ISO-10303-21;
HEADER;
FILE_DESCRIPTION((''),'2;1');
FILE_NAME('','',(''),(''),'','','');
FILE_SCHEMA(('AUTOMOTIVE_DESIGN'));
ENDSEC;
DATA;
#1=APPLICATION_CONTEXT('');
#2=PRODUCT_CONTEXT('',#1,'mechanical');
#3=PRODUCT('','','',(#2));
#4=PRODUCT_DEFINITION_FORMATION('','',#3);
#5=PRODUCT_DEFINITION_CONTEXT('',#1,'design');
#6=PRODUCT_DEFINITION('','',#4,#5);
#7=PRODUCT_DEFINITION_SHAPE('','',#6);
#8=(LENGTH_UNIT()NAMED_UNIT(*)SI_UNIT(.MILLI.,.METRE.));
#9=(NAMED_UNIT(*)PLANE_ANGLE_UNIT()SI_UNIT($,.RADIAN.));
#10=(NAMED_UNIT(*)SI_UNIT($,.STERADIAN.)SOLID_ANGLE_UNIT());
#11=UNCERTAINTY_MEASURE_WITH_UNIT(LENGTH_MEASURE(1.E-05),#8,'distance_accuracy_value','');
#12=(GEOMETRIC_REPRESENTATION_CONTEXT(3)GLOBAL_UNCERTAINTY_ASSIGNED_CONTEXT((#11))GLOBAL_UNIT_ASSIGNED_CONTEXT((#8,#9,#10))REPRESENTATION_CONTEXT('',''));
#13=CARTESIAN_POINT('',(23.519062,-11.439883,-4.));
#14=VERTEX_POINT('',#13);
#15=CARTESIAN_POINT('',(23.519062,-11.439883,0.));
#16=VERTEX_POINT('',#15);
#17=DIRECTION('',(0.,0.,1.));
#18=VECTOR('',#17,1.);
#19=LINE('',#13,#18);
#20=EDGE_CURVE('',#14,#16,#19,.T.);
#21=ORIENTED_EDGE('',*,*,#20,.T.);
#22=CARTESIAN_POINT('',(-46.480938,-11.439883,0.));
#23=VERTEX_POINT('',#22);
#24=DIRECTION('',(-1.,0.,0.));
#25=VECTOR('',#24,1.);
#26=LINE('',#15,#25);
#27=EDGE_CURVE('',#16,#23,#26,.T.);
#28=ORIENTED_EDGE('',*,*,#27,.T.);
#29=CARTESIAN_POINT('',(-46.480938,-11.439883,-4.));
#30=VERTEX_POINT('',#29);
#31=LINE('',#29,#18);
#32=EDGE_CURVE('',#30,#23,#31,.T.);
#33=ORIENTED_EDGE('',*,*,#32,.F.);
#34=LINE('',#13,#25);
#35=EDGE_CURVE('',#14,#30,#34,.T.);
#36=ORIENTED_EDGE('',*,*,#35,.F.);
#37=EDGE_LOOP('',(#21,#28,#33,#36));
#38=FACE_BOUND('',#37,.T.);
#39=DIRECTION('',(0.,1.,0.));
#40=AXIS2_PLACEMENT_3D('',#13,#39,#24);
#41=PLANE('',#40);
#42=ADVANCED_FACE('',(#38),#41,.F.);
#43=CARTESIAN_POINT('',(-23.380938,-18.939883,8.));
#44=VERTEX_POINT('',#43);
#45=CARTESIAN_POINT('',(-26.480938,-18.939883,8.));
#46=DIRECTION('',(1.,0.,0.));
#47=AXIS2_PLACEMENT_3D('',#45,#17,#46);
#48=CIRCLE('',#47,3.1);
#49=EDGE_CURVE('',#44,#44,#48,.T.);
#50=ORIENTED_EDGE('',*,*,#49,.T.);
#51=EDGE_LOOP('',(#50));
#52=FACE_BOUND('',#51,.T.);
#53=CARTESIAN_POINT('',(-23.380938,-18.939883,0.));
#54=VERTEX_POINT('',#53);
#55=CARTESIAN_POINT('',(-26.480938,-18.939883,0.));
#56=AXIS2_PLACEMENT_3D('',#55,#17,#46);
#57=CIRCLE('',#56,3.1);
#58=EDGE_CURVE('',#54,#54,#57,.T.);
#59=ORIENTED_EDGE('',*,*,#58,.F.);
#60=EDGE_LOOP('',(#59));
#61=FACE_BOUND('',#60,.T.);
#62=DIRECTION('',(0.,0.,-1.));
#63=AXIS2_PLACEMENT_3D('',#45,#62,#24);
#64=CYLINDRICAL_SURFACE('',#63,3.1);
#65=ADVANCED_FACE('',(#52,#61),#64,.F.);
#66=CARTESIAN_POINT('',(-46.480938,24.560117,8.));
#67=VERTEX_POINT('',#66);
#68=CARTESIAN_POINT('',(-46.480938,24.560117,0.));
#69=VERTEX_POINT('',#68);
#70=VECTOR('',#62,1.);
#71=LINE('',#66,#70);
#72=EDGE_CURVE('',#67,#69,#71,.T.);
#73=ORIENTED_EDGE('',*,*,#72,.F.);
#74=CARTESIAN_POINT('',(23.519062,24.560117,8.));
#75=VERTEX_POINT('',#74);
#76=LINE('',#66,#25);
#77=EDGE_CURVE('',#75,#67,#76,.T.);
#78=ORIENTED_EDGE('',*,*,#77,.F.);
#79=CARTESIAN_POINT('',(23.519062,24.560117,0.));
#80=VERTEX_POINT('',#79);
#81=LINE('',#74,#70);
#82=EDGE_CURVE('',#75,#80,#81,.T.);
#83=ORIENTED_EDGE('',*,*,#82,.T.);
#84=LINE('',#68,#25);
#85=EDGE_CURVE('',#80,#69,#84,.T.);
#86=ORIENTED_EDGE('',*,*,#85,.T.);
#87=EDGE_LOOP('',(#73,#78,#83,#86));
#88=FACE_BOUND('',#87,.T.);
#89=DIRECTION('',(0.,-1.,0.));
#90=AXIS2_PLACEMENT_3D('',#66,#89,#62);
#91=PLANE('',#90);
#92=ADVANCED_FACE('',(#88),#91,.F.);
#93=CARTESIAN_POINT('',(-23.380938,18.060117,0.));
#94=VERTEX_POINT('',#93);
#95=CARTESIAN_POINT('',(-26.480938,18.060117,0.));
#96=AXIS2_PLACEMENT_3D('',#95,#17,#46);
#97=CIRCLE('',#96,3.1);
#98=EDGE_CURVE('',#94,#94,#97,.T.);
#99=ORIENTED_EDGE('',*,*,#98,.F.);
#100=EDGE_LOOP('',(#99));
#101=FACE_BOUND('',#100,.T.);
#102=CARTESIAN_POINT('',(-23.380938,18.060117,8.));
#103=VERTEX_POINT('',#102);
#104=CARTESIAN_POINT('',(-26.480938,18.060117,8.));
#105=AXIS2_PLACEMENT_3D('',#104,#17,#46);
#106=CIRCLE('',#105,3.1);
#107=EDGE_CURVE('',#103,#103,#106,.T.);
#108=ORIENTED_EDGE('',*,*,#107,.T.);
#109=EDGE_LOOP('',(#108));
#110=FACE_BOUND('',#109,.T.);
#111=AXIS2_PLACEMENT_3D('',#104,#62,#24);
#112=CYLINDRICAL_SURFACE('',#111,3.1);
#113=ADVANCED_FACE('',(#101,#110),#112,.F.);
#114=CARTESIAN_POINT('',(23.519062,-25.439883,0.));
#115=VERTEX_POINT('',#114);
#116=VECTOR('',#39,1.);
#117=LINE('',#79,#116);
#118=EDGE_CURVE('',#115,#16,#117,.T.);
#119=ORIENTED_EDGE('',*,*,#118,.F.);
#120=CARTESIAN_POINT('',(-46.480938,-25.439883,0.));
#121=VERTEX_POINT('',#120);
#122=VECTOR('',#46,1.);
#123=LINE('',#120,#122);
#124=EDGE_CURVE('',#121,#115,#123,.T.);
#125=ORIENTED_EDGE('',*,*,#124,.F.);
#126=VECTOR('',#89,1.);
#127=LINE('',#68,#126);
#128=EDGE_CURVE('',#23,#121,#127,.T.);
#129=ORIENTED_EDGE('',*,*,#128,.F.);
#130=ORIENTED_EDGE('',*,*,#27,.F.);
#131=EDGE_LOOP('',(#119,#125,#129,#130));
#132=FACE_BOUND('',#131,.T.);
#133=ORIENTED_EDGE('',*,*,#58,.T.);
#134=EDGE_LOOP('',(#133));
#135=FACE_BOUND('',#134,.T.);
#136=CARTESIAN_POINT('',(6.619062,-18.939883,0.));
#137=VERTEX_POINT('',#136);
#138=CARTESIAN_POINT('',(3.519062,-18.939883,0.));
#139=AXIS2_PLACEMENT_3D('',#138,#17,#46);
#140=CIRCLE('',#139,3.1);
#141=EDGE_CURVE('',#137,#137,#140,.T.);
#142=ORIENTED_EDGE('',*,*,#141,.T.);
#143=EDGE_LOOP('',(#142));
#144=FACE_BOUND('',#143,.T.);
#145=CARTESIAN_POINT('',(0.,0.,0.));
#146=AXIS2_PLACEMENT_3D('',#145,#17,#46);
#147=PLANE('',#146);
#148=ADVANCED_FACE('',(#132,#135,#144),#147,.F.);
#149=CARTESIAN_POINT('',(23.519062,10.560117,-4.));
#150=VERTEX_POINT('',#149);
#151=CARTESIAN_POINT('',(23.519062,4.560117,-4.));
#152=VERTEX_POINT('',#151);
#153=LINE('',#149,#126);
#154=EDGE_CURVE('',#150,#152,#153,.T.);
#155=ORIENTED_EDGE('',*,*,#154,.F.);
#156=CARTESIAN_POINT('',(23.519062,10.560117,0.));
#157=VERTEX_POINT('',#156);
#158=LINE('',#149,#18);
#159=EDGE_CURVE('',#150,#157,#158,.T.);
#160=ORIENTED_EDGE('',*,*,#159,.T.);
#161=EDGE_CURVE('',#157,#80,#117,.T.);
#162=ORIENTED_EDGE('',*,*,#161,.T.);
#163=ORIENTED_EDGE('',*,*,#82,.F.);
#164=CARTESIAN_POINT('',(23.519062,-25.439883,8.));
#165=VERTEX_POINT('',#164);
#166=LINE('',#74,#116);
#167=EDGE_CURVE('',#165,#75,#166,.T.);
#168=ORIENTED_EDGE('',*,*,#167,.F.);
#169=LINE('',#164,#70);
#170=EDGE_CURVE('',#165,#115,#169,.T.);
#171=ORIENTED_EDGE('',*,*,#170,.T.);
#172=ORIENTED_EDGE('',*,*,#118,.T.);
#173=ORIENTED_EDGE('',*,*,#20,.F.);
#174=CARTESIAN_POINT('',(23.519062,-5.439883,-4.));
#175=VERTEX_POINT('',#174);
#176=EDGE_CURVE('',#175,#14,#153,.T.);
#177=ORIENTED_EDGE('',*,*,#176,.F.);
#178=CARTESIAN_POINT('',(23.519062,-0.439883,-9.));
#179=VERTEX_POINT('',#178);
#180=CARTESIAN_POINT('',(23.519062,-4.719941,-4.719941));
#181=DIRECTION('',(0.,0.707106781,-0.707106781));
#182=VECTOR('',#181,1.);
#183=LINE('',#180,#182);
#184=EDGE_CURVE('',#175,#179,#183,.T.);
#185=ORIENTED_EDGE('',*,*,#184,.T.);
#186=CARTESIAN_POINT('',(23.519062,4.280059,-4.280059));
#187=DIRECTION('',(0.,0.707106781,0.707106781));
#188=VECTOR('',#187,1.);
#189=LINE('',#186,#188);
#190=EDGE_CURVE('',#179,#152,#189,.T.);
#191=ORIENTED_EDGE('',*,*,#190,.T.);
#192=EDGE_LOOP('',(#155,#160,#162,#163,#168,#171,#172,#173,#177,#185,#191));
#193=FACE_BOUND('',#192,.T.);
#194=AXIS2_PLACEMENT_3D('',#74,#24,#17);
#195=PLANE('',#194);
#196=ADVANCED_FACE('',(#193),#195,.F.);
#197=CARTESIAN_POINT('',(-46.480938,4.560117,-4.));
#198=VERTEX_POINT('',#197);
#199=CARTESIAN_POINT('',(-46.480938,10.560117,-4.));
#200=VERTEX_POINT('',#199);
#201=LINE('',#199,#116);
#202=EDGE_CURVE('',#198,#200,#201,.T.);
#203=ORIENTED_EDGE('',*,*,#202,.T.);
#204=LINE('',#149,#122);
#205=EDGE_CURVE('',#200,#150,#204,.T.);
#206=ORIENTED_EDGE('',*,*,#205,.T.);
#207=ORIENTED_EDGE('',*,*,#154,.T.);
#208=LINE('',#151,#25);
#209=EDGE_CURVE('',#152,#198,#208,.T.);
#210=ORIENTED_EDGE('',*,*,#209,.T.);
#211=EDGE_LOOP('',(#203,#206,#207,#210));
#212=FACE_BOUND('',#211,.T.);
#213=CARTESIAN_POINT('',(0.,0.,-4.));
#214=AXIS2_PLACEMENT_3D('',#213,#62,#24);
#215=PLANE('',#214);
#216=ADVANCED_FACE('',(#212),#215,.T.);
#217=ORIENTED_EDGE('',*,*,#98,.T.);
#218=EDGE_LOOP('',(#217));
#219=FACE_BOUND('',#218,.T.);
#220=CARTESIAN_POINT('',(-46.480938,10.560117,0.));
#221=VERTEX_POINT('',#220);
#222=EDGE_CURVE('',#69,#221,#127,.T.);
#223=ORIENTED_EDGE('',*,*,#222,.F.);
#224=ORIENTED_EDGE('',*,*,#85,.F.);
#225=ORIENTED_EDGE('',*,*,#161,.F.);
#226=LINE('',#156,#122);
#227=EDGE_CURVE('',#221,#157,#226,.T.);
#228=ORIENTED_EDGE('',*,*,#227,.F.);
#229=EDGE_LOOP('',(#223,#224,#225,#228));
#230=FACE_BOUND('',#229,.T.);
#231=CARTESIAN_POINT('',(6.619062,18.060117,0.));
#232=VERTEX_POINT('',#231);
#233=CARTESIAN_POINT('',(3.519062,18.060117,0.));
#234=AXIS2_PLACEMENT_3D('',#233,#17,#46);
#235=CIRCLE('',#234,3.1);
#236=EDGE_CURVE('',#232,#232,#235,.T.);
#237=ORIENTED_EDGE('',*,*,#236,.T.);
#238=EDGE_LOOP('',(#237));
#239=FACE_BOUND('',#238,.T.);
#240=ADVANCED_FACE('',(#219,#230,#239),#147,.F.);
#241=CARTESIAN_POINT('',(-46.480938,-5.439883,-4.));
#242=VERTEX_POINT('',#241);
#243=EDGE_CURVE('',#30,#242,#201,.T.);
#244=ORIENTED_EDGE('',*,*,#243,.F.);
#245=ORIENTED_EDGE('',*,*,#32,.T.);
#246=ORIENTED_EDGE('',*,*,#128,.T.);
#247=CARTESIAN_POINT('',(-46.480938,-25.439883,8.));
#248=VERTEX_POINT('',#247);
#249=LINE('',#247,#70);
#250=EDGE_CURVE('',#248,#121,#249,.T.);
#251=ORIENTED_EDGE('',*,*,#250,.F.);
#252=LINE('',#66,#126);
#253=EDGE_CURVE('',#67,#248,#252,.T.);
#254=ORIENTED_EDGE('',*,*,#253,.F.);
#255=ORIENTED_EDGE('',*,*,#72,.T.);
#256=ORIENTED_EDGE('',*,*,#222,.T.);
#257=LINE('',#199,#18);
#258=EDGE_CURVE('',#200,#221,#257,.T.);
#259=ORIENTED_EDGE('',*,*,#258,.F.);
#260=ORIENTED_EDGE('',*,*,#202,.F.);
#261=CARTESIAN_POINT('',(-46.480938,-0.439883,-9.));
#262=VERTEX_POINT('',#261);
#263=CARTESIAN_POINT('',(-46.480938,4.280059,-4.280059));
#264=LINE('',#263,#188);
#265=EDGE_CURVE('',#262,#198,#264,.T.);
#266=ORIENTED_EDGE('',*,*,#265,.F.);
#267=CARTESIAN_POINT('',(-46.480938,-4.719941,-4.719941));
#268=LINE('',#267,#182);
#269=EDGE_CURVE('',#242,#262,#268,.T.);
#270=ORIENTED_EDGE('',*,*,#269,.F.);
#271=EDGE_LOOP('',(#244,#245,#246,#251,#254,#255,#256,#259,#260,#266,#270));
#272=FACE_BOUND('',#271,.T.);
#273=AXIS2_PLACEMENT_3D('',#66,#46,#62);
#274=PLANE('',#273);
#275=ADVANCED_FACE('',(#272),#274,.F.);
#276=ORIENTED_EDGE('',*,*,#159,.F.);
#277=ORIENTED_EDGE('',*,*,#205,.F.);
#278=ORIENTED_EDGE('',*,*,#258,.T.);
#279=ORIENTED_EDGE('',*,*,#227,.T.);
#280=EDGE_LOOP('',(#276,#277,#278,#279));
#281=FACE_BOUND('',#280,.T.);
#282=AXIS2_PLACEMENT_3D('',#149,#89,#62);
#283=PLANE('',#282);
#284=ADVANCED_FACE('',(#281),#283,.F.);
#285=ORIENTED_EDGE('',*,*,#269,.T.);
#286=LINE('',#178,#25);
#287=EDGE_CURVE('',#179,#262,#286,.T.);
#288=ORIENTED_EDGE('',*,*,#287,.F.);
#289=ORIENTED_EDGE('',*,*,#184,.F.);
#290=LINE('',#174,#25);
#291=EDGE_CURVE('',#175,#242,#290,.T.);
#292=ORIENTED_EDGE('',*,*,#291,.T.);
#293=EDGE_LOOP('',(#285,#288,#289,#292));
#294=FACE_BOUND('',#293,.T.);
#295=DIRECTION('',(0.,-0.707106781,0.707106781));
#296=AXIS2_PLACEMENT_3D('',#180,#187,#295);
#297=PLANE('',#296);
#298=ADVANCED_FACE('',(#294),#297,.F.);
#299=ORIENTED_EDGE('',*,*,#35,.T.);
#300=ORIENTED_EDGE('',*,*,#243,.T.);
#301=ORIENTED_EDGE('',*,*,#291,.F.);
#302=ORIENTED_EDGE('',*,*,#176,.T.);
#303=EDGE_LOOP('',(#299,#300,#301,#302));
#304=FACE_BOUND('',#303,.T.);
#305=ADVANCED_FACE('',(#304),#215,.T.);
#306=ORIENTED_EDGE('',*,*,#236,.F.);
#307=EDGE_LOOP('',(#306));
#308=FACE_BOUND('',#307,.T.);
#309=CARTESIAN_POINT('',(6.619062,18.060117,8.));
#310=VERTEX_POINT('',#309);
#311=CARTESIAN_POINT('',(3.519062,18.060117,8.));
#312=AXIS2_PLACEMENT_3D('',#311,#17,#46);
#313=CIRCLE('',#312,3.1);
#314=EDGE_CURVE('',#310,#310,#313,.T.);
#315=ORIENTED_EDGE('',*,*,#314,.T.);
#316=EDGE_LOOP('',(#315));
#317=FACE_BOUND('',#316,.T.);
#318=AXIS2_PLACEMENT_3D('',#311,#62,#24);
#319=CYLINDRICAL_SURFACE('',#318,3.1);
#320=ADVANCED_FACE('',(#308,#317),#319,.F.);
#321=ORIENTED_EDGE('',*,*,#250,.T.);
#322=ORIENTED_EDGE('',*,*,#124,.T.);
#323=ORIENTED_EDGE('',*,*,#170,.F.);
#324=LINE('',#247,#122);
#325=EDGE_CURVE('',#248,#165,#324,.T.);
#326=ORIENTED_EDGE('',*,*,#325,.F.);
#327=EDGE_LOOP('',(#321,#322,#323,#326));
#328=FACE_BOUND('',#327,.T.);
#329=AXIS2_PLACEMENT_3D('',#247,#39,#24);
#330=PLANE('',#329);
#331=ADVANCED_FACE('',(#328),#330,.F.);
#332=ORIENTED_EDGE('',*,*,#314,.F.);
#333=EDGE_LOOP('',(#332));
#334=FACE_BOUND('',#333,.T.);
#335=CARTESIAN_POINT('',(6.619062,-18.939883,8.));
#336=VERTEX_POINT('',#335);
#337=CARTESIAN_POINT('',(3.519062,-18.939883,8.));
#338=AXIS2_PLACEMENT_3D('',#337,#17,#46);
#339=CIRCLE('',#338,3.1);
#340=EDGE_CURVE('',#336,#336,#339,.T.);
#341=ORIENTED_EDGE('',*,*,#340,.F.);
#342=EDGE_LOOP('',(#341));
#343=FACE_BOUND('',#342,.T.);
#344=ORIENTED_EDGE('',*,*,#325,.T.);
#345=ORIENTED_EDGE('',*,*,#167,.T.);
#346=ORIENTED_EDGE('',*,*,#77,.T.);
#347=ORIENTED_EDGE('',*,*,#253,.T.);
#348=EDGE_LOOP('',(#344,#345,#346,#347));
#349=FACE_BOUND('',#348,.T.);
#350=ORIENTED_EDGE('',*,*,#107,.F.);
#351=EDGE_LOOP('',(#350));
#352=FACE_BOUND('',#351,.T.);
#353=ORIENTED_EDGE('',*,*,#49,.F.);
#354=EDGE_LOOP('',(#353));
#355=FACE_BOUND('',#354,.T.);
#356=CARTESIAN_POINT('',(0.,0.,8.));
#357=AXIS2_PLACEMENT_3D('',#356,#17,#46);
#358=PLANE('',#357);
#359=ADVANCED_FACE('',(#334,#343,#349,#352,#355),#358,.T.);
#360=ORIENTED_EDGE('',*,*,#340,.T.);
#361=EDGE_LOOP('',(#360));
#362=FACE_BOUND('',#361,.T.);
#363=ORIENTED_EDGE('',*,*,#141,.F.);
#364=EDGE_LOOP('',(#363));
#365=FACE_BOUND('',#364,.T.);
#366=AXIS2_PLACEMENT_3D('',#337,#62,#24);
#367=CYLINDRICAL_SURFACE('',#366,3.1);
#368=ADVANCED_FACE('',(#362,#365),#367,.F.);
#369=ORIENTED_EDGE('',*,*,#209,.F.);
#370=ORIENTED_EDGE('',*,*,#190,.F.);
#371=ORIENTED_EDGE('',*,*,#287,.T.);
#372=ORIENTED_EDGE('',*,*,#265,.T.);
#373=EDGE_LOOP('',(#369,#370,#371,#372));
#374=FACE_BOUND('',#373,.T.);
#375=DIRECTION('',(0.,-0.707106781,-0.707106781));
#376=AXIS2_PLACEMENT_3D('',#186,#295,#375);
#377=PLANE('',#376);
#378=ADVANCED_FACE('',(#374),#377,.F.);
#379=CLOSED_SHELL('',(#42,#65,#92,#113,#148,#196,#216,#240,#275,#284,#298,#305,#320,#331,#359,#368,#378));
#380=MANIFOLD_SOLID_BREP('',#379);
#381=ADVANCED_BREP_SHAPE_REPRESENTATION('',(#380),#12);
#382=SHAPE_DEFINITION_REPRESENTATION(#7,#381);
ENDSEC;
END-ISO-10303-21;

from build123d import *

# Parameters (mm, degrees)
SKETCH1_W           = 70
SKETCH1_H           = 50
SKETCH1_R           = 3.1
BOSS_EXTRUDE1_DEPTH = 8
SKETCH3_W           = 70
SKETCH3_H           = 22
BOSS_EXTRUDE2_DEPTH = 4
BOSS_EXTRUDE3_DEPTH = 70


with BuildPart() as part:
    # Sketch1 → Boss-Extrude1 (new body)
    with BuildSketch(Plane.XY):
        with Locations((-11.480938416, -0.439882698)):
            Rectangle(SKETCH1_W, SKETCH1_H)
        with Locations((-26.480938416, 18.060117302)):
            Circle(SKETCH1_R, mode=Mode.SUBTRACT)
        with Locations((3.519061584, 18.060117302)):
            Circle(SKETCH1_R, mode=Mode.SUBTRACT)
        with Locations((-26.480938416, -18.939882698)):
            Circle(SKETCH1_R, mode=Mode.SUBTRACT)
        with Locations((3.519061584, -18.939882698)):
            Circle(SKETCH1_R, mode=Mode.SUBTRACT)
    extrude(amount=BOSS_EXTRUDE1_DEPTH)

    # Sketch3 → Boss-Extrude2 (add)
    with BuildSketch(Plane(origin=(0, 0, 0), x_dir=(-1, 0, 0), z_dir=(0, 0, -1))):
        with Locations((11.480938416, -0.439882698)):
            Rectangle(SKETCH3_W, SKETCH3_H)
    extrude(amount=BOSS_EXTRUDE2_DEPTH)

    # Sketch4 → Boss-Extrude3 (add)
    with BuildSketch(Plane.ZY.offset(46.480938416)):
        Polygon((-9, -0.439882698), (-4, -5.439882698), (-4, -0.439882698), (-4, 4.560117302), align=None)
    extrude(amount=-BOSS_EXTRUDE3_DEPTH)


solid = part.part
